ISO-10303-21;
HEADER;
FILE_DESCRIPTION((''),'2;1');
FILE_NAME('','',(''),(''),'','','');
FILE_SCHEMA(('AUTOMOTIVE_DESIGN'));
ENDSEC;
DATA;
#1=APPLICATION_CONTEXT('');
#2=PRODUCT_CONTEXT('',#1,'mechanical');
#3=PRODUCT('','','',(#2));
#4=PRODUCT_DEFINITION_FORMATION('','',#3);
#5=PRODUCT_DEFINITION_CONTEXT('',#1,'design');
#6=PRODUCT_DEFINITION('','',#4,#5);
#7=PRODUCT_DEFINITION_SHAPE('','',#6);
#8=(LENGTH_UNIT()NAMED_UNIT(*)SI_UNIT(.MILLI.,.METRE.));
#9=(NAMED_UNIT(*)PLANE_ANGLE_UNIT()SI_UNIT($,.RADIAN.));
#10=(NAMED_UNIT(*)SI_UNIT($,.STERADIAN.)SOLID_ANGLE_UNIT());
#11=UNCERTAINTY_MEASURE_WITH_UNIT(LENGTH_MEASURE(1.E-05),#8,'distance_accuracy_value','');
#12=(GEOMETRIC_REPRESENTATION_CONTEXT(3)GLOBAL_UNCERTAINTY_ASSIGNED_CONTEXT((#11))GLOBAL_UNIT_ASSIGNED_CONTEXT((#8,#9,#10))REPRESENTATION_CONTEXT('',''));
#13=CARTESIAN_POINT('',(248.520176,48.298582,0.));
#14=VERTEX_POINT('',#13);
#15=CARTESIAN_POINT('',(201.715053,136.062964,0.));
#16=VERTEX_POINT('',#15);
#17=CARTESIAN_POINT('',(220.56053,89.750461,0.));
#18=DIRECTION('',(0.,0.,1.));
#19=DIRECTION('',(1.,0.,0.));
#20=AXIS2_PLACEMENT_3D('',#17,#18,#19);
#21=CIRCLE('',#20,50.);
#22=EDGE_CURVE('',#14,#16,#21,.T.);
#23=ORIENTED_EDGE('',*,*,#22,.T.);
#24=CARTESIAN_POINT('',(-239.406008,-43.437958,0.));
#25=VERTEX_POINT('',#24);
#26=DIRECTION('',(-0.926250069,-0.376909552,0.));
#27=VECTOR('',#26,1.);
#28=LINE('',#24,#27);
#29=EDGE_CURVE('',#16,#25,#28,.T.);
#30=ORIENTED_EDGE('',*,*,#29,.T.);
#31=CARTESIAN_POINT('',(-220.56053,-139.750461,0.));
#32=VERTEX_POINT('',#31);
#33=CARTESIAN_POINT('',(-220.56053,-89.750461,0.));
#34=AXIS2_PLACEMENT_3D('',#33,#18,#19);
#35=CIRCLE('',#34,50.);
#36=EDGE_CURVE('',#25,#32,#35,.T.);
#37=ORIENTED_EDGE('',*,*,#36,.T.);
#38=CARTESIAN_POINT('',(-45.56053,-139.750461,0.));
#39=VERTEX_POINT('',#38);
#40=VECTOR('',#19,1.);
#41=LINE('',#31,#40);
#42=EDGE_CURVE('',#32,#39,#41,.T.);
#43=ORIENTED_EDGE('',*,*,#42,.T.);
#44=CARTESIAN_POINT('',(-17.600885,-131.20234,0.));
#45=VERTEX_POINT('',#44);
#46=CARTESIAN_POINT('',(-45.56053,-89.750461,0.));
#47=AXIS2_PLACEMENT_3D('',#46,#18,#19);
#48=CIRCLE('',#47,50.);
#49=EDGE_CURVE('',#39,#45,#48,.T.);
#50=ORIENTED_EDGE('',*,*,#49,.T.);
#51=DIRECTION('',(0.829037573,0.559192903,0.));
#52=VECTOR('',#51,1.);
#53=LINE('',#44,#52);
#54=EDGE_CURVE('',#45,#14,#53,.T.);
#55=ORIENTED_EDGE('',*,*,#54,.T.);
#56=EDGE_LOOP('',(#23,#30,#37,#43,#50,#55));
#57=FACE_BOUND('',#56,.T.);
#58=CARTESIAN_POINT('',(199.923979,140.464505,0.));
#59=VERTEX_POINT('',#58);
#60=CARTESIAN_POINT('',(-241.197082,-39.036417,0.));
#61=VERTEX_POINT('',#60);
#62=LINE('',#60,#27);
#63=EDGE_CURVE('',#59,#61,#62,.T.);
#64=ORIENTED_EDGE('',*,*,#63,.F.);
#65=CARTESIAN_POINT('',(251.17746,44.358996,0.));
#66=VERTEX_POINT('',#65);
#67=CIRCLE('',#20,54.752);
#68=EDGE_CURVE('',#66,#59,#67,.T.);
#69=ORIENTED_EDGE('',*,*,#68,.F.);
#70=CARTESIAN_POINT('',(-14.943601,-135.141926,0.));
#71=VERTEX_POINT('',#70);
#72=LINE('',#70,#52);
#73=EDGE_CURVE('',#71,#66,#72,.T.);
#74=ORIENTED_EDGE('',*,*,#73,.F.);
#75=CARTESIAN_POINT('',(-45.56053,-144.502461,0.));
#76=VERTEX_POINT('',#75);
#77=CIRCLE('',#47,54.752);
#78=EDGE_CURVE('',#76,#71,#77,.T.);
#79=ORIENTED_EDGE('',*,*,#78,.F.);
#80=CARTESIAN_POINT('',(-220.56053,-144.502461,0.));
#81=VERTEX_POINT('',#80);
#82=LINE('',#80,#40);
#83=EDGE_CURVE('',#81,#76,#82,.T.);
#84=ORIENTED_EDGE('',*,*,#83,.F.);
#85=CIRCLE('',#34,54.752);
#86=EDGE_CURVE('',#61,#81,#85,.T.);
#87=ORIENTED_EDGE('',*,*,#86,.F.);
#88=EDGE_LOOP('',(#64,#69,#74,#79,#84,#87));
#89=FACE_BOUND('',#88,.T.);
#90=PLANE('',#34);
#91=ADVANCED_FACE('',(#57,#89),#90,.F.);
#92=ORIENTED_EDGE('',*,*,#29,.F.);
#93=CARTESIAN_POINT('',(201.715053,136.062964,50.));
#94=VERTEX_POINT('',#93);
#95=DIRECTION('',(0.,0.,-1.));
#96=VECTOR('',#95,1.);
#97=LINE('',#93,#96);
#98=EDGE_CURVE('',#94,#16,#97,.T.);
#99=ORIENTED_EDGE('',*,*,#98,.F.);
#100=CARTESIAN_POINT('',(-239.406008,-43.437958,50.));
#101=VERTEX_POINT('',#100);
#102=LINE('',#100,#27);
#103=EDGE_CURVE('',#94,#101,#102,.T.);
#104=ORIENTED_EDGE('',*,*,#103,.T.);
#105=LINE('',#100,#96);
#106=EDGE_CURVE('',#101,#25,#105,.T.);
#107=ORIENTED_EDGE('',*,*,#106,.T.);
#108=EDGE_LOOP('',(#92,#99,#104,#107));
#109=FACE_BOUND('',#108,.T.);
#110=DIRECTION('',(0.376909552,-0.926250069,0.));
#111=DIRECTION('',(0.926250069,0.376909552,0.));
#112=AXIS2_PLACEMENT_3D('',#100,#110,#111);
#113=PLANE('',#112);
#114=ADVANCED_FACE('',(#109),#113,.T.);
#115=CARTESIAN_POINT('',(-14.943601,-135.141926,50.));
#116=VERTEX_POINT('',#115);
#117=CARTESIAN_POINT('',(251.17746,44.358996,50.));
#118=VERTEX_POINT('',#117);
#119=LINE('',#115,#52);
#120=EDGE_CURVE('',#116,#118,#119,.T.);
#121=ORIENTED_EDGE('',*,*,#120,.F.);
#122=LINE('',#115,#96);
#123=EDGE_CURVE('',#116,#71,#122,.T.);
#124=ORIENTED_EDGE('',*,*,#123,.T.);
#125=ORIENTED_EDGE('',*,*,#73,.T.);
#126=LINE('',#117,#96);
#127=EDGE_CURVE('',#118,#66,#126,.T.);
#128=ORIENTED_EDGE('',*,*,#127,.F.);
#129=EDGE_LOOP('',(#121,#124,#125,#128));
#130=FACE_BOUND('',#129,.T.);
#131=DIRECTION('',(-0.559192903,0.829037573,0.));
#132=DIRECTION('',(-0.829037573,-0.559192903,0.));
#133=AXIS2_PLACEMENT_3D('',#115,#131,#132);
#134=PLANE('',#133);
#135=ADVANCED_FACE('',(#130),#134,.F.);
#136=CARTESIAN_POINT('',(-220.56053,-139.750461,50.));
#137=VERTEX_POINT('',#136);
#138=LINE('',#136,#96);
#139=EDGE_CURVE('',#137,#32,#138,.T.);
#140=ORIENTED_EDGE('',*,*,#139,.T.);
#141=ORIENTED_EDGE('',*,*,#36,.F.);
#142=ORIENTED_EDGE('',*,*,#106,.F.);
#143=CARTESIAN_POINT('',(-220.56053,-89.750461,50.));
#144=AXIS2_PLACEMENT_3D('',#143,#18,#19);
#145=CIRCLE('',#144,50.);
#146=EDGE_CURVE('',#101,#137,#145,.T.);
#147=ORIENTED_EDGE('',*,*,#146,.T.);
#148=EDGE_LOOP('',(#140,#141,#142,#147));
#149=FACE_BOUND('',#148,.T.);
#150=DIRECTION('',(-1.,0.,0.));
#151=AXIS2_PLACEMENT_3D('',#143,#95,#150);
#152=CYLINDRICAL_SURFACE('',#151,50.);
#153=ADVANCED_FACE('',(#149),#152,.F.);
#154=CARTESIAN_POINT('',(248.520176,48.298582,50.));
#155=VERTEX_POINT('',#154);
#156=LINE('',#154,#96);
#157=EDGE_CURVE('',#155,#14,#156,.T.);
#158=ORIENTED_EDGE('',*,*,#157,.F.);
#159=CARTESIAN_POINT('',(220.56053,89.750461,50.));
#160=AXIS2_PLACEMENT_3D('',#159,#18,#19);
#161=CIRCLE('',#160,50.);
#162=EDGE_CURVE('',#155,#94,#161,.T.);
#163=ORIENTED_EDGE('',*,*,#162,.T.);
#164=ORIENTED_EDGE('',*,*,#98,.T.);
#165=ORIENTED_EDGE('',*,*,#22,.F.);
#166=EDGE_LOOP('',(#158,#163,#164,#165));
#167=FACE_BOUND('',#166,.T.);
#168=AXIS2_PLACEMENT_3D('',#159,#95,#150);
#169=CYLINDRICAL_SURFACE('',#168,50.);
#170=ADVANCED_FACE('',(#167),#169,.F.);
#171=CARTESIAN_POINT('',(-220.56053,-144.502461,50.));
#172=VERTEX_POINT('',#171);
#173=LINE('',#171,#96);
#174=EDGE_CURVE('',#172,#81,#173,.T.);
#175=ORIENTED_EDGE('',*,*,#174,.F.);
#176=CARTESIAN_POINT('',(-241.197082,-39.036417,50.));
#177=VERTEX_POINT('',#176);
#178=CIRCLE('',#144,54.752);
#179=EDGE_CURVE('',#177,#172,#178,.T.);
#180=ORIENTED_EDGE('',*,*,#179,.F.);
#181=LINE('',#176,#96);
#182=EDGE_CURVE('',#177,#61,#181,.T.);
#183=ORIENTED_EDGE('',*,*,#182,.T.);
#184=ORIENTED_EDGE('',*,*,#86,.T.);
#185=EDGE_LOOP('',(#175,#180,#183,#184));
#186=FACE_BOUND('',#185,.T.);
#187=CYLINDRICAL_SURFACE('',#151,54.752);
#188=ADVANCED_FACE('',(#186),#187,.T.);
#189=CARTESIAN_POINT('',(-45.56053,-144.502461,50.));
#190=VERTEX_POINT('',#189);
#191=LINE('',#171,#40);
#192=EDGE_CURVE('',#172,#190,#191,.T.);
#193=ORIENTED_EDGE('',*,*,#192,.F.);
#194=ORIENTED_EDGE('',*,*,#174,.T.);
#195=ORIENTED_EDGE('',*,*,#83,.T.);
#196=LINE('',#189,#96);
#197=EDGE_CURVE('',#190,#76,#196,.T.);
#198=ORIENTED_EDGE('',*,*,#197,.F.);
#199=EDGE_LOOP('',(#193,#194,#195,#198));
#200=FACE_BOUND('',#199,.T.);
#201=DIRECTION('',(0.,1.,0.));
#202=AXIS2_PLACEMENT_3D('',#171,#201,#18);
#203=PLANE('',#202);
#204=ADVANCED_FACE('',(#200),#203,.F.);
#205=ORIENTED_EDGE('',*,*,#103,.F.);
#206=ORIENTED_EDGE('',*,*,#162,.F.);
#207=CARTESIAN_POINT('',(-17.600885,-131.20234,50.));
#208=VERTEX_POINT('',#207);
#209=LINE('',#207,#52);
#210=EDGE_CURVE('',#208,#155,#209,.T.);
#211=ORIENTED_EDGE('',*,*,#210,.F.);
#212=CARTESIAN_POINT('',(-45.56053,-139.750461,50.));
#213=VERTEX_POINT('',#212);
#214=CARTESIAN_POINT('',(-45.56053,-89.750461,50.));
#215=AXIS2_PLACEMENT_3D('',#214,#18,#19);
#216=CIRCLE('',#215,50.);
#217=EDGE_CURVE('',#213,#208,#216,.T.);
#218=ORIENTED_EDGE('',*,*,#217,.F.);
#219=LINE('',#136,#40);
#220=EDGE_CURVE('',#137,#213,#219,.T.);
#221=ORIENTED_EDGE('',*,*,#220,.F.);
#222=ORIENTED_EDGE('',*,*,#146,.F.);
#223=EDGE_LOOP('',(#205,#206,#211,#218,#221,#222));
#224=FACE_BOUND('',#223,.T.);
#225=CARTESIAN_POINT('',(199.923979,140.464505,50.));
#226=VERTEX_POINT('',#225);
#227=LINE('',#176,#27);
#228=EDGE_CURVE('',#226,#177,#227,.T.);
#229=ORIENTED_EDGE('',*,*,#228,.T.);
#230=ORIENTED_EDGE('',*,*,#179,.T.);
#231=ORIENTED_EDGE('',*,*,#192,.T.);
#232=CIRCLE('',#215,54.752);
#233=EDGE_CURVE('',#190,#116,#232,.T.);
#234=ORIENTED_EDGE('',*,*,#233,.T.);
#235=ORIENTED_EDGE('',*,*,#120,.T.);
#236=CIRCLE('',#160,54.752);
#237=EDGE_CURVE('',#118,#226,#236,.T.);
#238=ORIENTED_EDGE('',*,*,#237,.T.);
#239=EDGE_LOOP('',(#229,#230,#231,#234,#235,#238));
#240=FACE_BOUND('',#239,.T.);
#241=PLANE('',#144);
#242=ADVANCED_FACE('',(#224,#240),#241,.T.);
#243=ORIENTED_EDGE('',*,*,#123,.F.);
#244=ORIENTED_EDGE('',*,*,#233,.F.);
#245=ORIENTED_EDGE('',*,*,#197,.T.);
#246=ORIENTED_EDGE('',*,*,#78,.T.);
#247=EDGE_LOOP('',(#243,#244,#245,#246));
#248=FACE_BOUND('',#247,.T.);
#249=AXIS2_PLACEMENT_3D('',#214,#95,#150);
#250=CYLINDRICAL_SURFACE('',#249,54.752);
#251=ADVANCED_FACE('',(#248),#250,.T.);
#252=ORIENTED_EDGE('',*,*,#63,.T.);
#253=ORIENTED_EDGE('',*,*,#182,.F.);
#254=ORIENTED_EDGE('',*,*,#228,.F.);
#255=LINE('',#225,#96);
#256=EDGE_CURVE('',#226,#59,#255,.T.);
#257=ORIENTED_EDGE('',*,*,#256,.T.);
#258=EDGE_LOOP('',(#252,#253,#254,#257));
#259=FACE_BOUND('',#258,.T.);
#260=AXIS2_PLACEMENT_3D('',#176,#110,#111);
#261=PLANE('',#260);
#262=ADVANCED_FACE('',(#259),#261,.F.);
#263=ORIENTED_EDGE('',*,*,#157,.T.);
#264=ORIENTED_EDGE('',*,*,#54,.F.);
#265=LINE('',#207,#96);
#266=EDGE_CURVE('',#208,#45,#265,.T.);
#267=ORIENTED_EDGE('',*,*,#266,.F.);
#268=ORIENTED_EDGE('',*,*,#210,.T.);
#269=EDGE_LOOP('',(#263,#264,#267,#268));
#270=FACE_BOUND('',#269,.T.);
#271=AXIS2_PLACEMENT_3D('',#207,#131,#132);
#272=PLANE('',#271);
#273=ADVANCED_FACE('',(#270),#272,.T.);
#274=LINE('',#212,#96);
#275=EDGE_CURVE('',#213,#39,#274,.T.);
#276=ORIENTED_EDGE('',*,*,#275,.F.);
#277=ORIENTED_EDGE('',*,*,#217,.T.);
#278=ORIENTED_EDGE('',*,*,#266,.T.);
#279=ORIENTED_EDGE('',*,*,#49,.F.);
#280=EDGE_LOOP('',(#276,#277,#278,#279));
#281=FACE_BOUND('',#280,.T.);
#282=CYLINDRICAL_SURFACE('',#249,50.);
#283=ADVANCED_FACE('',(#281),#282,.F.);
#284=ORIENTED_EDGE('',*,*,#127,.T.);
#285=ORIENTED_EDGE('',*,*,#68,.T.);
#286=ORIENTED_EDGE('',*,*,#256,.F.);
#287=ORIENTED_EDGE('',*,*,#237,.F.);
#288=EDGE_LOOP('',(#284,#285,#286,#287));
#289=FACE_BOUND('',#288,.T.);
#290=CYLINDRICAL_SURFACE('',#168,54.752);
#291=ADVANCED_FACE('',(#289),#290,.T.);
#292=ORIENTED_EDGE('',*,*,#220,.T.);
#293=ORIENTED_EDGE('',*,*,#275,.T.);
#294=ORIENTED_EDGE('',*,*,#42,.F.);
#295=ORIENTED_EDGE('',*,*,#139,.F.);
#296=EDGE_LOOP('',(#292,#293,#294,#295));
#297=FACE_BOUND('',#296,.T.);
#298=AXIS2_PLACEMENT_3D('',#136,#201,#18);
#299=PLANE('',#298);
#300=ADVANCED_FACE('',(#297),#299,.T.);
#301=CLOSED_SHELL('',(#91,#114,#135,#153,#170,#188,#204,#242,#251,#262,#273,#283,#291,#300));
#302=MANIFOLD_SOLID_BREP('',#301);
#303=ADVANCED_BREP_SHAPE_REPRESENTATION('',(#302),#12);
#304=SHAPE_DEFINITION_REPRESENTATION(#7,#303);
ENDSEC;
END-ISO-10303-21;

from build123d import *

# Parameters (mm, degrees)
EXTRUDE_1_DEPTH = 50


with BuildPart() as part:
    # 스케치2 → 보스-돌출1 (new body)
    with BuildSketch(Plane.XY):
        with BuildLine():
            Line((-241.197082179, -39.036417247), (199.923978611, 140.464504767))
            ThreePointArc((199.923978611, 140.464504767), (268.871700929, 115.515016226), (251.177460246, 44.358995835))
            Line((251.177460246, 44.358995835), (-14.943600544, -135.14192618))
            ThreePointArc((-14.943600544, -135.14192618), (-29.552594818, -142.110059006), (-45.560530395, -144.502461007))
            Line((-45.560530395, -144.502461007), (-220.560530395, -144.502461007))
            ThreePointArc((-220.560530395, -144.502461007), (-274.293559474, -100.264408412), (-241.197082179, -39.036417247))
        make_face()
        with BuildLine():
            Line((-220.560530395, -139.750461007), (-45.560530395, -139.750461007))
            ThreePointArc((-45.560530395, -139.750461007), (-30.941945159, -137.565698805), (-17.600885222, -131.202339635))
            Line((-17.600885222, -131.202339635), (248.520175569, 48.298582379))
            ThreePointArc((248.520175569, 48.298582379), (264.678709214, 113.278875694), (201.715052802, 136.062964441))
            Line((201.715052802, 136.062964441), (-239.406007988, -43.437957574))
            ThreePointArc((-239.406007988, -43.437957574), (-269.629997336, -99.351888722), (-220.560530395, -139.750461007))
        make_face(mode=Mode.SUBTRACT)
    extrude(amount=EXTRUDE_1_DEPTH)


solid = part.part
